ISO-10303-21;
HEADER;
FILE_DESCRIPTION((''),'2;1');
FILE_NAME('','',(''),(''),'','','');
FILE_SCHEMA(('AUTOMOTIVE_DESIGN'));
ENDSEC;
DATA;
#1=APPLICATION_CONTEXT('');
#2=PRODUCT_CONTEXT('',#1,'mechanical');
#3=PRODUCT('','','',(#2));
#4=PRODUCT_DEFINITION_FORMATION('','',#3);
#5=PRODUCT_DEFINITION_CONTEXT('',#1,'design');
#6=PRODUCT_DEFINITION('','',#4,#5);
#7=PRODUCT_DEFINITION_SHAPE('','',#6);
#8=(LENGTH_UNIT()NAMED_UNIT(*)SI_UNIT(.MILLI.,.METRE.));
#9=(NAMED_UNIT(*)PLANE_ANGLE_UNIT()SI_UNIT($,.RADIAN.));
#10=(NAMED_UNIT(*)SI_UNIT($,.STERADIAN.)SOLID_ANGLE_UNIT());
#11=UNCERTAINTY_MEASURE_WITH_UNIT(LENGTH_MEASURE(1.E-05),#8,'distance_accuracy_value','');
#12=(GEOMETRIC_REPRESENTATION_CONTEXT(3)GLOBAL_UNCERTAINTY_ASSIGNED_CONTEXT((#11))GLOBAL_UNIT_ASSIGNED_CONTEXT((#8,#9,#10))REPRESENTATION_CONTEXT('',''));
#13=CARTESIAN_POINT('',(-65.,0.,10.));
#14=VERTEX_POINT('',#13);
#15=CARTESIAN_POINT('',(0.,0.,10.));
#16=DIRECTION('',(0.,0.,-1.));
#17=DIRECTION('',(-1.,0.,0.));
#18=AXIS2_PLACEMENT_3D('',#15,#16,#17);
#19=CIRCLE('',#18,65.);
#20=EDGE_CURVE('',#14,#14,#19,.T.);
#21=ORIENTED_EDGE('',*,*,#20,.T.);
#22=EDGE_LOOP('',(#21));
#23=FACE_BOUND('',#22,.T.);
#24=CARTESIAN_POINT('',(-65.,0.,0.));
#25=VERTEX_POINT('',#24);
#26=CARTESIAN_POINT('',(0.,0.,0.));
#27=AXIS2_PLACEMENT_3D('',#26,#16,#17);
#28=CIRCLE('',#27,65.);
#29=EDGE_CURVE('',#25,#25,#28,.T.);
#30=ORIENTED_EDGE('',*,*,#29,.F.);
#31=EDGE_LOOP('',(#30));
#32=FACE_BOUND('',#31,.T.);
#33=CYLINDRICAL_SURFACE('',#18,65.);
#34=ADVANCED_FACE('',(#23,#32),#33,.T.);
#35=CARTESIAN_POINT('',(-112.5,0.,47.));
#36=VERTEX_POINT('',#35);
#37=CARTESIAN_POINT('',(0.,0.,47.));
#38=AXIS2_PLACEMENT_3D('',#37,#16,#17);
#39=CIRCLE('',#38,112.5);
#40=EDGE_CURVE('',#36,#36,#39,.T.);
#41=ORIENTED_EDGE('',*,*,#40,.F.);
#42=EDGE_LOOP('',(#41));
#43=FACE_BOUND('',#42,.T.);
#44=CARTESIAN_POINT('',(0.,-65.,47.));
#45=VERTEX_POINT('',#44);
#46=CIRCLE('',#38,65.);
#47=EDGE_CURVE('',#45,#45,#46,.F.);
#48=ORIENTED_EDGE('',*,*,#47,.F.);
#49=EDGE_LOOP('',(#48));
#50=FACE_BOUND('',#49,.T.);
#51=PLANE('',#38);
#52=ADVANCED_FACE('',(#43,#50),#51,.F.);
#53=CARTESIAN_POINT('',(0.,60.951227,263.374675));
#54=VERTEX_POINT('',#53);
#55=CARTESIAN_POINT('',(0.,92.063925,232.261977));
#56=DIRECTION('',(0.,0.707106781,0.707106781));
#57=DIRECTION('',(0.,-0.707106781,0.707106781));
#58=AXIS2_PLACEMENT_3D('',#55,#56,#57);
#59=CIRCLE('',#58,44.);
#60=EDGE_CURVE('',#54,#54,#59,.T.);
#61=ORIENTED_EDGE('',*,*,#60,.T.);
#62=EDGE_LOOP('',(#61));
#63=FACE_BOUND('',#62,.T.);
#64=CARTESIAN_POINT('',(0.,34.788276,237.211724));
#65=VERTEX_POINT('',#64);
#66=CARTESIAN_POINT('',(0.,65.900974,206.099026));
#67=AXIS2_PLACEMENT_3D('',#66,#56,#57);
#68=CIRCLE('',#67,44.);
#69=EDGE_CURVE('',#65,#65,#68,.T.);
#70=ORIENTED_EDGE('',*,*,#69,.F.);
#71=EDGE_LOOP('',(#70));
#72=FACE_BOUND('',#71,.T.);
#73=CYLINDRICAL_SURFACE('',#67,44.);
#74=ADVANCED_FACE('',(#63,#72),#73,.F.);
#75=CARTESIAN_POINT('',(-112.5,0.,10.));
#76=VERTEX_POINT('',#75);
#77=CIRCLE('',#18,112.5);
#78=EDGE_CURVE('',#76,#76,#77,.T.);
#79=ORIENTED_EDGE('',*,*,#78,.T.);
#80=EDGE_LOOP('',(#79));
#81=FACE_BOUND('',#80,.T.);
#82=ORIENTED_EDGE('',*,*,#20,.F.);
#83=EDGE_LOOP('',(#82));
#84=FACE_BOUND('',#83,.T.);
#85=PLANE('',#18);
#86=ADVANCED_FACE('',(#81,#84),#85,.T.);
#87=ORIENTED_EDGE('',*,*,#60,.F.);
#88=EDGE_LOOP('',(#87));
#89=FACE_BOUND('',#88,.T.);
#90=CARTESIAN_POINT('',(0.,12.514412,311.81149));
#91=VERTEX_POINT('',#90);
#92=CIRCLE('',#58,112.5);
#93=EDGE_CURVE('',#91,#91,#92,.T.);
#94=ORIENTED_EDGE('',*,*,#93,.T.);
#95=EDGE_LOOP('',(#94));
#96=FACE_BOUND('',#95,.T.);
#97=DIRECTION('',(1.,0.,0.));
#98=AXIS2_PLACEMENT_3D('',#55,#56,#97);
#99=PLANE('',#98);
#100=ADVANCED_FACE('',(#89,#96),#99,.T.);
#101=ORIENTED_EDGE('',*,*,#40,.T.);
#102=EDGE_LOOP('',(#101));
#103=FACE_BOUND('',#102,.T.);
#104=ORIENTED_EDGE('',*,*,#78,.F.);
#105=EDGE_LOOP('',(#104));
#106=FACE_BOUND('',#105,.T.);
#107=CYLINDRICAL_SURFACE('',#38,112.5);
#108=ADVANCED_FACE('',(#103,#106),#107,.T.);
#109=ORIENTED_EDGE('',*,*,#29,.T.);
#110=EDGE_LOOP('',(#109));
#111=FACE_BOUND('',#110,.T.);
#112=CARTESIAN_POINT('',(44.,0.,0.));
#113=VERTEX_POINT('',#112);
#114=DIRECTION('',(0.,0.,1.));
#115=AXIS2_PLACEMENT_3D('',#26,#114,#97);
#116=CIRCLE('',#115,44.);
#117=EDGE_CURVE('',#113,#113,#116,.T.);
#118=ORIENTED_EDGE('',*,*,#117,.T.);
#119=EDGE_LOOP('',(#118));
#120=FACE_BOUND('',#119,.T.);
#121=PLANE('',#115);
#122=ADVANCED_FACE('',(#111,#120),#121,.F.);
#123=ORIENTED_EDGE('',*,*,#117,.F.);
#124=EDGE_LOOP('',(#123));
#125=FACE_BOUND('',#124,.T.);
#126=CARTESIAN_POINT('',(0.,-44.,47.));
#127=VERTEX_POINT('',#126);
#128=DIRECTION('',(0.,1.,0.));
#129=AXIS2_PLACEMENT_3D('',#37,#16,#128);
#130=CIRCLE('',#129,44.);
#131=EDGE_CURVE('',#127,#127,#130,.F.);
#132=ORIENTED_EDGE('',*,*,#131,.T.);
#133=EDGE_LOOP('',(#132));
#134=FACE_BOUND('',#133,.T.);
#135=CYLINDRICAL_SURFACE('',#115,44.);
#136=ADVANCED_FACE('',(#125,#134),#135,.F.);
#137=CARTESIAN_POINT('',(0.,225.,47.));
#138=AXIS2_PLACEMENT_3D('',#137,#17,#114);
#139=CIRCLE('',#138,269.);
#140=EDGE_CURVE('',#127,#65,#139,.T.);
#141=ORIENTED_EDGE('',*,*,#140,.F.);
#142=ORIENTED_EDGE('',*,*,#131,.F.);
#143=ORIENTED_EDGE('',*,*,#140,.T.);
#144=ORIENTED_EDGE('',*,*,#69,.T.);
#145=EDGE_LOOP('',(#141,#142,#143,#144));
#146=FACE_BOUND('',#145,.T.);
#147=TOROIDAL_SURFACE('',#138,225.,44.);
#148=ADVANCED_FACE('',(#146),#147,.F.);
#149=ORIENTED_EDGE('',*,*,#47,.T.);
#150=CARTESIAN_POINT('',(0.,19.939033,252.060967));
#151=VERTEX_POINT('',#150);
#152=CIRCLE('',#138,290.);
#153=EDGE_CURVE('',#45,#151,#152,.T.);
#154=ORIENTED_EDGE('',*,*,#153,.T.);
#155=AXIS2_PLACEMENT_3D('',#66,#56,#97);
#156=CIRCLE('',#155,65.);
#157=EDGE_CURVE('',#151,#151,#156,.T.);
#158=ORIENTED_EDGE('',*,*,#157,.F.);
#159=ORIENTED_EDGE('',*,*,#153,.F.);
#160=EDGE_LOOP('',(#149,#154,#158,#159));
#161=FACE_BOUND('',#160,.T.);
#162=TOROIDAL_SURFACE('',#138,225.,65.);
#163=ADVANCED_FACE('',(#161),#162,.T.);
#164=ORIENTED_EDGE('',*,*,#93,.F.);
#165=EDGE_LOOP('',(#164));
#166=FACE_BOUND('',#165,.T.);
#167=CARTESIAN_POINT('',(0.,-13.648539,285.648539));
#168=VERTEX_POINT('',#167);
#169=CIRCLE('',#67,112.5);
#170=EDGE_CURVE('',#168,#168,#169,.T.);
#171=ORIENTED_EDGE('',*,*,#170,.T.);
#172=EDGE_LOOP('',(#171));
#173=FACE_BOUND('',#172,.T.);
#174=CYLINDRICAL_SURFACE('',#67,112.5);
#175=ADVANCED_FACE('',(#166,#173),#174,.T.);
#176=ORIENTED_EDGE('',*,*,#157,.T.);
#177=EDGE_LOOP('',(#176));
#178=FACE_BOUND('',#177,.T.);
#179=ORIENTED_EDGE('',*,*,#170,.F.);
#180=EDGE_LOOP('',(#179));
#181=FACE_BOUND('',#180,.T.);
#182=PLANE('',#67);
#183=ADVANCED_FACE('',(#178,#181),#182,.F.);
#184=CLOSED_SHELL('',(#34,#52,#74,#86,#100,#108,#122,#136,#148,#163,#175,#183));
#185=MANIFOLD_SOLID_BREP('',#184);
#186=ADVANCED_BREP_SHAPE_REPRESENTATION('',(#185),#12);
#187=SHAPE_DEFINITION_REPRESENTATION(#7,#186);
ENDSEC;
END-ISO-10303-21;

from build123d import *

# Parameters (mm, degrees)
ESQUISSE2_R             = 65
ESQUISSE2_R_2           = 44
BOSS_EXTRU_1_START      = -47
ESQUISSE3_R             = 112.5
ESQUISSE3_R_2           = 44
BOSS_EXTRU_1_DEPTH      = 47
ENL_V_START             = -10
ESQUISSE4_R             = 112.5
ESQUISSE4_R_2           = 65
ENL_V_MAT_EXTRU_1_DEPTH = 10
ESQUISSE5_R             = 112.5
ESQUISSE5_R_2           = 44
BOSS_EXTRU_2_DEPTH      = 37


with BuildPart() as part:
    # Balayage-Mince1: sweep along a path in Esquisse1
    with BuildLine(Plane(origin=(0, 0, 0), x_dir=(0, 0, -1), z_dir=(1, 0, 0))) as balayage_mince1_path:
        Line((0, 0), (-47, 0))
        ThreePointArc((-47, 0), (-133.103772282, 17.127105185), (-206.099025767, 65.900974233))
        Line((-206.099025767, 65.900974233), (-232.261976671, 92.063925137))
    # Esquisse2 → Balayage-Mince1 (sweep)
    with BuildSketch(Plane.XY):
        Circle(ESQUISSE2_R)
        Circle(ESQUISSE2_R_2, mode=Mode.SUBTRACT)
    sweep(path=balayage_mince1_path.line)

    # Esquisse3 → Boss.-Extru.1 (add)
    with BuildSketch(Plane(origin=(0, 0, 0), x_dir=(-1, 0, 0), z_dir=(0, 0, -1)).offset(BOSS_EXTRU_1_START)):
        Circle(ESQUISSE3_R)
        with Locations(Location((0, 0, 0), (0, 0, 180))):
            Circle(ESQUISSE3_R_2, mode=Mode.SUBTRACT)
    extrude(amount=BOSS_EXTRU_1_DEPTH)

    # Esquisse4 → Enlèv. mat.-Extru.1 (cut)
    with BuildSketch(Plane(origin=(0, 0, 0), x_dir=(-1, 0, 0), z_dir=(0, 0, -1)).offset(ENL_V_START)):
        Circle(ESQUISSE4_R)
        Circle(ESQUISSE4_R_2, mode=Mode.SUBTRACT)
    extrude(amount=ENL_V_MAT_EXTRU_1_DEPTH, mode=Mode.SUBTRACT)

    # Esquisse5 → Boss.-Extru.2 (add)
    with BuildSketch(Plane(origin=(0, 162.162950904, 162.162950904), x_dir=(1, 0, 0), z_dir=(0, 0.7071067811865472, 0.7071067811865478))):
        with Locations(Location((0, -99.134992949, 0), (0, 0, 270))):
            Circle(ESQUISSE5_R)
        with Locations(Location((0, -99.134992949, 0), (0, 0, 270))):
            Circle(ESQUISSE5_R_2, mode=Mode.SUBTRACT)
    extrude(amount=-BOSS_EXTRU_2_DEPTH)


solid = part.part
